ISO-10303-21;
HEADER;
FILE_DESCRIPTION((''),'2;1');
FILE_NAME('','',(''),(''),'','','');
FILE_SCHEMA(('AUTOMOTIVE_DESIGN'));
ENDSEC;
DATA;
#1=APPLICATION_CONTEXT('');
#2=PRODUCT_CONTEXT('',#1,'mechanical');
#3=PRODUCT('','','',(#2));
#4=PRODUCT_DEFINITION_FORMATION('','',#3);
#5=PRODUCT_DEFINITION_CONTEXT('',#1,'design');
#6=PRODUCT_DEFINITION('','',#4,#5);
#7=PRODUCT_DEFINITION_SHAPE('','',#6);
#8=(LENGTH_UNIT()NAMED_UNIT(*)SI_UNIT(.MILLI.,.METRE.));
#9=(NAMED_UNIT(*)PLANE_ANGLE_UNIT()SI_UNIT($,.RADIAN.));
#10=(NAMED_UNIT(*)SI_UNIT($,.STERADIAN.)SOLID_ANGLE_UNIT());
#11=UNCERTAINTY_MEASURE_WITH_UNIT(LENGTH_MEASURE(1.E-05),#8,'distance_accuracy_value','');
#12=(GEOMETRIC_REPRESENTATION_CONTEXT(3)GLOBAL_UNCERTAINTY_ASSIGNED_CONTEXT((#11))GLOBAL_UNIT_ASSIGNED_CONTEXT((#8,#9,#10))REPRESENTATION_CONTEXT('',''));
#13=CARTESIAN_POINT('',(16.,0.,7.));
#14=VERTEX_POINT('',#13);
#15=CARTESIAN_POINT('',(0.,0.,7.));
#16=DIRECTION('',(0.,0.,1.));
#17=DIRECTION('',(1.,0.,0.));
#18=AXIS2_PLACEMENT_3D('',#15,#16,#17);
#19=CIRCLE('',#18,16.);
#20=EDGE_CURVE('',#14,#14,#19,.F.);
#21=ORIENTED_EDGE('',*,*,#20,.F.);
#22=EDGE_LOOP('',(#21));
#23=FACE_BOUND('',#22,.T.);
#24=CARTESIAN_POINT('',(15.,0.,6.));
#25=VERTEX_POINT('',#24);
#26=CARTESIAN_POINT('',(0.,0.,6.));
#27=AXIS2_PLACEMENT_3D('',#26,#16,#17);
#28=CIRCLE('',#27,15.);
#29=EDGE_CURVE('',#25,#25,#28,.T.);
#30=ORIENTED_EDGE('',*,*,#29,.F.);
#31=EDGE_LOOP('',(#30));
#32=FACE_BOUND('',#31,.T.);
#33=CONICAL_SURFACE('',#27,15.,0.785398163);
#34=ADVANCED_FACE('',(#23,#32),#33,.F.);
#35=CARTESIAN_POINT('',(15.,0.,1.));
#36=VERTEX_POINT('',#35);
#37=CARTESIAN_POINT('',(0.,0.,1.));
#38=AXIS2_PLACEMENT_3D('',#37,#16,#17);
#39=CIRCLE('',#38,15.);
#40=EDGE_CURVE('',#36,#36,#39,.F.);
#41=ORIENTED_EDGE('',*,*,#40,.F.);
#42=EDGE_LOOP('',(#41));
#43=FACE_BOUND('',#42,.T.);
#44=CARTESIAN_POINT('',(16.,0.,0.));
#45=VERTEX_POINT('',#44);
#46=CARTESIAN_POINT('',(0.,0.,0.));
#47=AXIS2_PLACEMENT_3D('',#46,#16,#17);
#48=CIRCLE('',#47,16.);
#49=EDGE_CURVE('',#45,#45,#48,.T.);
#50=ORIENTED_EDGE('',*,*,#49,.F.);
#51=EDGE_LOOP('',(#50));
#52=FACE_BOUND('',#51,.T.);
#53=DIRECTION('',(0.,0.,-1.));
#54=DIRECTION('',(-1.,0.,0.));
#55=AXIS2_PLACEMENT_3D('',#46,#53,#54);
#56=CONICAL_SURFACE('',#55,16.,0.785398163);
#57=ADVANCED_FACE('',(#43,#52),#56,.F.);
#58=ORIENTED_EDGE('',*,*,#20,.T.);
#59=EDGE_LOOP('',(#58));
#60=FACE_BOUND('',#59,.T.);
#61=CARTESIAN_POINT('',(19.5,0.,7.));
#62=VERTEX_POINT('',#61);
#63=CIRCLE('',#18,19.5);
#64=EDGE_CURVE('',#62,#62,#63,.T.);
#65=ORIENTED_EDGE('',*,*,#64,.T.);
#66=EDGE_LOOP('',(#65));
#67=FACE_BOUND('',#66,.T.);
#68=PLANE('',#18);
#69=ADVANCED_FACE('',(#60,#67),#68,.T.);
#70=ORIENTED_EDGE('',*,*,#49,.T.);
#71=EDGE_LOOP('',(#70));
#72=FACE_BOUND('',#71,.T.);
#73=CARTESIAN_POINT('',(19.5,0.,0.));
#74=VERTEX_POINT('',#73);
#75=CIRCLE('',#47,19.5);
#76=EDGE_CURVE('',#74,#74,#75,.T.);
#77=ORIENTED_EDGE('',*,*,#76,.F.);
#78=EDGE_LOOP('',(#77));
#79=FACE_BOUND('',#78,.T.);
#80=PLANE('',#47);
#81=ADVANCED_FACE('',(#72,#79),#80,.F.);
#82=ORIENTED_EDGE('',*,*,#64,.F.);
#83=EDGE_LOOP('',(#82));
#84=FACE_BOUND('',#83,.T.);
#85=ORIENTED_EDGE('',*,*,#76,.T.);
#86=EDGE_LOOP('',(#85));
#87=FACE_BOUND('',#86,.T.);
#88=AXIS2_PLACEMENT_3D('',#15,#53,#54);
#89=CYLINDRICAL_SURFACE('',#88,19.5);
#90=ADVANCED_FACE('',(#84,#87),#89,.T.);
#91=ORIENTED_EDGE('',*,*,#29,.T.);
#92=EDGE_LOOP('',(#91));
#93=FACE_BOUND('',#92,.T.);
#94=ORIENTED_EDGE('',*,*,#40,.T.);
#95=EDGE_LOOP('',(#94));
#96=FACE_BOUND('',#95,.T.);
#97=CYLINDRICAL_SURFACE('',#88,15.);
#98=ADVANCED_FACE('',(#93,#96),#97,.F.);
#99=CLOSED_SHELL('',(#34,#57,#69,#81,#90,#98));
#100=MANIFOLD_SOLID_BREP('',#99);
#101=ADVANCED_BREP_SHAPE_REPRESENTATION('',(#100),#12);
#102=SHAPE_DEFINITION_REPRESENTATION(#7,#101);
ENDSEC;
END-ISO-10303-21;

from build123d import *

# Parameters (mm, degrees)
SZKIC1_R                   = 19.5
SZKIC1_R_2                 = 15
WYCI_GNI_CIE_PROSTE1_DEPTH = 7
FAZA2_SIZE                 = 1


with BuildPart() as part:
    # Szkic1 → Wyciągnięcie proste1 (new body)
    with BuildSketch(Plane.XY):
        Circle(SZKIC1_R)
        Circle(SZKIC1_R_2, mode=Mode.SUBTRACT)
    extrude(amount=WYCI_GNI_CIE_PROSTE1_DEPTH)

    # Faza2
    faza2_edges = [part.edges().sort_by_distance(p)[0] for p in [
        (-15, 0, 0),
        (-15, 0, 7),
    ]]
    chamfer(faza2_edges, length=FAZA2_SIZE)


solid = part.part
